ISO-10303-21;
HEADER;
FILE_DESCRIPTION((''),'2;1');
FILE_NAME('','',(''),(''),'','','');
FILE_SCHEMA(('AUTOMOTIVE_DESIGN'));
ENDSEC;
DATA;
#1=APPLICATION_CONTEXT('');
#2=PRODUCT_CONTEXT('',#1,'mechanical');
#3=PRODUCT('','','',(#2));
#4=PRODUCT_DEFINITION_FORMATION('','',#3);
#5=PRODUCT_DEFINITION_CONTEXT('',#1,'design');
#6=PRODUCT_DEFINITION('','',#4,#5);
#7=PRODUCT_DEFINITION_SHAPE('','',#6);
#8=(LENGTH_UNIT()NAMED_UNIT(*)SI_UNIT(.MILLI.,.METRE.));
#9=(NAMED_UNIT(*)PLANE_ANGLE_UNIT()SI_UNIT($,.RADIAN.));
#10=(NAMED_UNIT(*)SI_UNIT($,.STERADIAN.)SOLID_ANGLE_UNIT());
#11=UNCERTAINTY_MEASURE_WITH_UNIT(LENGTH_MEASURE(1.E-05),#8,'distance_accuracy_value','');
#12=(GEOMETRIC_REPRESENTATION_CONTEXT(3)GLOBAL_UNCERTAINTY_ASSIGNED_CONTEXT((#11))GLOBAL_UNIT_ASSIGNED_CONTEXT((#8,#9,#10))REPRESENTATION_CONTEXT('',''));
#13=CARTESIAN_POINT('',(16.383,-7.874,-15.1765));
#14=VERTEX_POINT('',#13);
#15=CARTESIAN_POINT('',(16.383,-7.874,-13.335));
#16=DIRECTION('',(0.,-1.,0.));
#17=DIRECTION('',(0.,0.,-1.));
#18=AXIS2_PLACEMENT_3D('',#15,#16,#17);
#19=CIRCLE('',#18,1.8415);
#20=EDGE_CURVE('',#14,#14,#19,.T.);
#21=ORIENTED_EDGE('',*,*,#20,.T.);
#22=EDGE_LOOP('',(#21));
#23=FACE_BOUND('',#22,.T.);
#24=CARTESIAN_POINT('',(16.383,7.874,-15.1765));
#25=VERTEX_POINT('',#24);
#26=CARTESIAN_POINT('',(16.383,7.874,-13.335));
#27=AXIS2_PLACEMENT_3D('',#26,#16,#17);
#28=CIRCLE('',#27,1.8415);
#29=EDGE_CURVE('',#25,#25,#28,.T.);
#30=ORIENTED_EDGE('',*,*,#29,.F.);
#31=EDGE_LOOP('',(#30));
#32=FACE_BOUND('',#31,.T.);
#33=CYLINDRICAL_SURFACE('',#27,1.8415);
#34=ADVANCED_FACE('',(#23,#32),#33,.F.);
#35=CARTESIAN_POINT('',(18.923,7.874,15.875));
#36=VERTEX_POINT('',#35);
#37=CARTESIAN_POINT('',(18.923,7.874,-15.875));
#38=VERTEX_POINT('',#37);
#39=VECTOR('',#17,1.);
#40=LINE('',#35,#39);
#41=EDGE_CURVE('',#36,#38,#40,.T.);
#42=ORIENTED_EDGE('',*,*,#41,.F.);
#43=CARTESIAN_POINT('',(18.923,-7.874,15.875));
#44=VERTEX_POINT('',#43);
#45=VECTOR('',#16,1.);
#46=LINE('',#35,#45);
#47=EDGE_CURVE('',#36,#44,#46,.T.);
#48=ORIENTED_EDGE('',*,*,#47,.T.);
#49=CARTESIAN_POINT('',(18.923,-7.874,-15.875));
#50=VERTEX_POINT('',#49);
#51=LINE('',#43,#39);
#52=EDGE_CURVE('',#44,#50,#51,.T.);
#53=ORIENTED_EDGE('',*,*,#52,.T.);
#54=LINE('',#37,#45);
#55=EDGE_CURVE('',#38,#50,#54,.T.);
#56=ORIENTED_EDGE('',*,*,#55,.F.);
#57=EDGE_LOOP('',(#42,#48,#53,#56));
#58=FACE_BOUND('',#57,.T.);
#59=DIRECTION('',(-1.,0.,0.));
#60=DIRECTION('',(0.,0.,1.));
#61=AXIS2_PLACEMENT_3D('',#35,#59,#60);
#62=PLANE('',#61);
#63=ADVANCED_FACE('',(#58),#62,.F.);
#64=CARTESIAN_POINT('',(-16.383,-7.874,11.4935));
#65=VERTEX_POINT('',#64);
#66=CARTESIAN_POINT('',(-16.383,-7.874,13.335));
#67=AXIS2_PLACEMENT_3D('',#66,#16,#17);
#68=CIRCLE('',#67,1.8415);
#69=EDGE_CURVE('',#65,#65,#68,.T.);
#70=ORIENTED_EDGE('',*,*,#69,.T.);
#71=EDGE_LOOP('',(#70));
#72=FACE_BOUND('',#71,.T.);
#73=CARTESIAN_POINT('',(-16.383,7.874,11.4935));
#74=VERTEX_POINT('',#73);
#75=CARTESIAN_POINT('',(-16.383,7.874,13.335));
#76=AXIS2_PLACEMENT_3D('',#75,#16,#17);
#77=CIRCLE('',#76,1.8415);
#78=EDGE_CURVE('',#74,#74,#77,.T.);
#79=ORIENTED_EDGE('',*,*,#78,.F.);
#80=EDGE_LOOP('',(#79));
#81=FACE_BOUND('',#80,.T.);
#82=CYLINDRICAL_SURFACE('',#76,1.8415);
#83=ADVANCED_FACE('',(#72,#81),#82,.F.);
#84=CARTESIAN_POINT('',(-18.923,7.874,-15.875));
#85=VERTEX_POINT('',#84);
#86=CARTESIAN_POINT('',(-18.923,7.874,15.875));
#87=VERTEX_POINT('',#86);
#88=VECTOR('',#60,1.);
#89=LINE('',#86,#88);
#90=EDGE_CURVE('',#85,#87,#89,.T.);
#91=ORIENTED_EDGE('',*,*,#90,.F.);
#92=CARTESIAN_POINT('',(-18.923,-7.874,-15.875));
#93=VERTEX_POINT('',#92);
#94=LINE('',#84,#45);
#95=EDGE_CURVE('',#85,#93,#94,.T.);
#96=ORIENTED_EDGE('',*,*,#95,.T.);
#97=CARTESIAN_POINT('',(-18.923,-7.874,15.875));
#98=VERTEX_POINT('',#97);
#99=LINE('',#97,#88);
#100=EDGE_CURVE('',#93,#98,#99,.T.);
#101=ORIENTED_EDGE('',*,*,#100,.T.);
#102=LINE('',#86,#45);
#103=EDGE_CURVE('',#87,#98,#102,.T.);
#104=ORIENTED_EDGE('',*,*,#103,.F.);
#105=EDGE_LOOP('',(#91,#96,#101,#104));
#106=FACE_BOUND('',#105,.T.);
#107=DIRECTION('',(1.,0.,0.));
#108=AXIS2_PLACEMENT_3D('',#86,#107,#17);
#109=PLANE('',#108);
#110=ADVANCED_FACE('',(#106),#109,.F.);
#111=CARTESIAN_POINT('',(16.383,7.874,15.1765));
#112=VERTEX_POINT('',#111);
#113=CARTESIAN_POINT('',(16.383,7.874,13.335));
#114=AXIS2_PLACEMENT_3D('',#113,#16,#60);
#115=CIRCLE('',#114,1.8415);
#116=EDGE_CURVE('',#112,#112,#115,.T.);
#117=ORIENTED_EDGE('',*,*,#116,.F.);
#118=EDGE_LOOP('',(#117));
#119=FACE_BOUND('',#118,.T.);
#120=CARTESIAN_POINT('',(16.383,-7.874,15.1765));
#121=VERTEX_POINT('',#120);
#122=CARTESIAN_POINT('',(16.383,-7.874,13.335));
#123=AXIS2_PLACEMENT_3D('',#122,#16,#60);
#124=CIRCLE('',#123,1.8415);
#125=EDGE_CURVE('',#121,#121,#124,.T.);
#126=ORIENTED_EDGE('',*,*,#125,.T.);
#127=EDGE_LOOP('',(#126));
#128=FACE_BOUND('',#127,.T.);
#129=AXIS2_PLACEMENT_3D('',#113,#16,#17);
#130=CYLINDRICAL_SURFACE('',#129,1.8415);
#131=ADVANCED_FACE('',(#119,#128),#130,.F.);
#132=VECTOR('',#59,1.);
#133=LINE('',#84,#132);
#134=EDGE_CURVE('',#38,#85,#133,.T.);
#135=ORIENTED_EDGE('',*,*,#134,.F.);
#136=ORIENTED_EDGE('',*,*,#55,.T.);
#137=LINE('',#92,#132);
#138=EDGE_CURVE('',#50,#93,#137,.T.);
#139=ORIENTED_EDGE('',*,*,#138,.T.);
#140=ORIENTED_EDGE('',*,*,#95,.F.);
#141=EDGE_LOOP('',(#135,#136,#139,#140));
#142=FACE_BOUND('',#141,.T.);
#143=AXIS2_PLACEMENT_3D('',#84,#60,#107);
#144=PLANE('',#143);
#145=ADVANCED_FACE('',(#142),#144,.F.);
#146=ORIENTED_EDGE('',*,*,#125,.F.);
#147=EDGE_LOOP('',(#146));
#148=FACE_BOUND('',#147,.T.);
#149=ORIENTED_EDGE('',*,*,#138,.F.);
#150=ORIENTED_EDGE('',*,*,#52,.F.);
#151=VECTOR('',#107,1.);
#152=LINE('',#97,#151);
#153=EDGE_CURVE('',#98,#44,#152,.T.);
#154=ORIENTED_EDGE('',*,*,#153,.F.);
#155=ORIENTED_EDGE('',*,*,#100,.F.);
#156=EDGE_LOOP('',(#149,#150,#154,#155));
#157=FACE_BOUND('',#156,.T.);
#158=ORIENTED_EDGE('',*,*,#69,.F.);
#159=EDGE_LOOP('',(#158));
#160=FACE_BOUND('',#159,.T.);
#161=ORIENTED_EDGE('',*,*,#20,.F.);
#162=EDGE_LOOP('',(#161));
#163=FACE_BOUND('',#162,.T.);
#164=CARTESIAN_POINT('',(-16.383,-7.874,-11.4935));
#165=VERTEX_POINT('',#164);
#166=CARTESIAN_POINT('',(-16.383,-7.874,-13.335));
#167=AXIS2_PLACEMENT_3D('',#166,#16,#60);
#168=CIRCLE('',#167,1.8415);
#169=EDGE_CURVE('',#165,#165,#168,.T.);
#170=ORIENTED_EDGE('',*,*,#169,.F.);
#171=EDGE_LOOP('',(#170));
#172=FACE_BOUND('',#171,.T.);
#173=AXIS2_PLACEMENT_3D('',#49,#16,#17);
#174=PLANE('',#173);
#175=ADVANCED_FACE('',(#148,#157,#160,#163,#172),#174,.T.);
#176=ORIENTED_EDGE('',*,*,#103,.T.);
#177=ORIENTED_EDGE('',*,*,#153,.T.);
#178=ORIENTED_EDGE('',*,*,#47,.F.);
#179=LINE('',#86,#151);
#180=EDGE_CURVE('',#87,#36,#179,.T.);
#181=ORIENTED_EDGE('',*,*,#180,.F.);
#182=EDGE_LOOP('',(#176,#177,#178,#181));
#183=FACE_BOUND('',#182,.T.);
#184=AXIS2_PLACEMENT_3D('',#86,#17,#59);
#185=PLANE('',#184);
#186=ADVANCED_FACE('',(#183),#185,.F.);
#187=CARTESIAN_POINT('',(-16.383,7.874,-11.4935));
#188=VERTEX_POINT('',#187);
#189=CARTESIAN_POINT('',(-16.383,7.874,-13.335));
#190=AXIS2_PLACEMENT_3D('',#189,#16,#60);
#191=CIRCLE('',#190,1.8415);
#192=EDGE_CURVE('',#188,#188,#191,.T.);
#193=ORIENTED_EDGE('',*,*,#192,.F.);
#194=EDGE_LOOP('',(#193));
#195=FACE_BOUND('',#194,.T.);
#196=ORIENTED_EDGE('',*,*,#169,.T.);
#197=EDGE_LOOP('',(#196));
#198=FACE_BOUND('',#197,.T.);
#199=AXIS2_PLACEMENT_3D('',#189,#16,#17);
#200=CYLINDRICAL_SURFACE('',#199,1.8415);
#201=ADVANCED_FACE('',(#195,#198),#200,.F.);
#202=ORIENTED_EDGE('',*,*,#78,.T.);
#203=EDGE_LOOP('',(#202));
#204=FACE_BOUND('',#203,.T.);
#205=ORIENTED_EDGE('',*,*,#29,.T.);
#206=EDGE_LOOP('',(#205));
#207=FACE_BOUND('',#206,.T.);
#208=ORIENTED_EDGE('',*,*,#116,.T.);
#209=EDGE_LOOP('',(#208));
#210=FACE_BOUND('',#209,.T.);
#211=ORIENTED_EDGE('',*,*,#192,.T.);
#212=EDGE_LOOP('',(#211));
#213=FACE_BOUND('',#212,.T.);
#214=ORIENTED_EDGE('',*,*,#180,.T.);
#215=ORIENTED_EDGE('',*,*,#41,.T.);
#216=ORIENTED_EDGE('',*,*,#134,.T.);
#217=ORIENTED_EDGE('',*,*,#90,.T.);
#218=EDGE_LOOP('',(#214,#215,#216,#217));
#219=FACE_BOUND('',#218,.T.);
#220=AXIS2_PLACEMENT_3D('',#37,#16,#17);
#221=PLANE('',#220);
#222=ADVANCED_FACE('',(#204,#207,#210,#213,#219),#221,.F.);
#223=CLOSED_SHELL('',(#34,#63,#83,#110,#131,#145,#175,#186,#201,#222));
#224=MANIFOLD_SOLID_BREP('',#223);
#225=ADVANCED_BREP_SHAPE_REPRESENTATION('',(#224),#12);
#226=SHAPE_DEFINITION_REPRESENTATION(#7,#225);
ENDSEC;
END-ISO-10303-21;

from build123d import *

# Parameters (mm, degrees)
SKETCH1_W           = 37.846
SKETCH1_H           = 31.75
BOSS_EXTRUDE1_DEPTH = 7.874
SKETCH2_R           = 1.8415
CUT_EXTRUDE1_DEPTH  = 16.748


with BuildPart() as part:
    # Sketch1 → Boss-Extrude1 (new body, symmetric)
    with BuildSketch(Plane(origin=(0, 0, 0), x_dir=(1, 0, 0), z_dir=(0, 1, 0))):
        Rectangle(SKETCH1_W, SKETCH1_H)
    extrude(amount=BOSS_EXTRUDE1_DEPTH, both=True)

    # Sketch2 → Cut-Extrude1 (cut, through all)
    with BuildSketch(Plane.XZ.offset(7.874)):
        with Locations((-16.383, 13.335)):
            Circle(SKETCH2_R)
        with Locations((16.383, 13.335)):
            Circle(SKETCH2_R)
        with Locations((16.383, -13.335)):
            Circle(SKETCH2_R)
        with Locations((-16.383, -13.335)):
            Circle(SKETCH2_R)
    extrude(amount=-CUT_EXTRUDE1_DEPTH, mode=Mode.SUBTRACT)


solid = part.part
